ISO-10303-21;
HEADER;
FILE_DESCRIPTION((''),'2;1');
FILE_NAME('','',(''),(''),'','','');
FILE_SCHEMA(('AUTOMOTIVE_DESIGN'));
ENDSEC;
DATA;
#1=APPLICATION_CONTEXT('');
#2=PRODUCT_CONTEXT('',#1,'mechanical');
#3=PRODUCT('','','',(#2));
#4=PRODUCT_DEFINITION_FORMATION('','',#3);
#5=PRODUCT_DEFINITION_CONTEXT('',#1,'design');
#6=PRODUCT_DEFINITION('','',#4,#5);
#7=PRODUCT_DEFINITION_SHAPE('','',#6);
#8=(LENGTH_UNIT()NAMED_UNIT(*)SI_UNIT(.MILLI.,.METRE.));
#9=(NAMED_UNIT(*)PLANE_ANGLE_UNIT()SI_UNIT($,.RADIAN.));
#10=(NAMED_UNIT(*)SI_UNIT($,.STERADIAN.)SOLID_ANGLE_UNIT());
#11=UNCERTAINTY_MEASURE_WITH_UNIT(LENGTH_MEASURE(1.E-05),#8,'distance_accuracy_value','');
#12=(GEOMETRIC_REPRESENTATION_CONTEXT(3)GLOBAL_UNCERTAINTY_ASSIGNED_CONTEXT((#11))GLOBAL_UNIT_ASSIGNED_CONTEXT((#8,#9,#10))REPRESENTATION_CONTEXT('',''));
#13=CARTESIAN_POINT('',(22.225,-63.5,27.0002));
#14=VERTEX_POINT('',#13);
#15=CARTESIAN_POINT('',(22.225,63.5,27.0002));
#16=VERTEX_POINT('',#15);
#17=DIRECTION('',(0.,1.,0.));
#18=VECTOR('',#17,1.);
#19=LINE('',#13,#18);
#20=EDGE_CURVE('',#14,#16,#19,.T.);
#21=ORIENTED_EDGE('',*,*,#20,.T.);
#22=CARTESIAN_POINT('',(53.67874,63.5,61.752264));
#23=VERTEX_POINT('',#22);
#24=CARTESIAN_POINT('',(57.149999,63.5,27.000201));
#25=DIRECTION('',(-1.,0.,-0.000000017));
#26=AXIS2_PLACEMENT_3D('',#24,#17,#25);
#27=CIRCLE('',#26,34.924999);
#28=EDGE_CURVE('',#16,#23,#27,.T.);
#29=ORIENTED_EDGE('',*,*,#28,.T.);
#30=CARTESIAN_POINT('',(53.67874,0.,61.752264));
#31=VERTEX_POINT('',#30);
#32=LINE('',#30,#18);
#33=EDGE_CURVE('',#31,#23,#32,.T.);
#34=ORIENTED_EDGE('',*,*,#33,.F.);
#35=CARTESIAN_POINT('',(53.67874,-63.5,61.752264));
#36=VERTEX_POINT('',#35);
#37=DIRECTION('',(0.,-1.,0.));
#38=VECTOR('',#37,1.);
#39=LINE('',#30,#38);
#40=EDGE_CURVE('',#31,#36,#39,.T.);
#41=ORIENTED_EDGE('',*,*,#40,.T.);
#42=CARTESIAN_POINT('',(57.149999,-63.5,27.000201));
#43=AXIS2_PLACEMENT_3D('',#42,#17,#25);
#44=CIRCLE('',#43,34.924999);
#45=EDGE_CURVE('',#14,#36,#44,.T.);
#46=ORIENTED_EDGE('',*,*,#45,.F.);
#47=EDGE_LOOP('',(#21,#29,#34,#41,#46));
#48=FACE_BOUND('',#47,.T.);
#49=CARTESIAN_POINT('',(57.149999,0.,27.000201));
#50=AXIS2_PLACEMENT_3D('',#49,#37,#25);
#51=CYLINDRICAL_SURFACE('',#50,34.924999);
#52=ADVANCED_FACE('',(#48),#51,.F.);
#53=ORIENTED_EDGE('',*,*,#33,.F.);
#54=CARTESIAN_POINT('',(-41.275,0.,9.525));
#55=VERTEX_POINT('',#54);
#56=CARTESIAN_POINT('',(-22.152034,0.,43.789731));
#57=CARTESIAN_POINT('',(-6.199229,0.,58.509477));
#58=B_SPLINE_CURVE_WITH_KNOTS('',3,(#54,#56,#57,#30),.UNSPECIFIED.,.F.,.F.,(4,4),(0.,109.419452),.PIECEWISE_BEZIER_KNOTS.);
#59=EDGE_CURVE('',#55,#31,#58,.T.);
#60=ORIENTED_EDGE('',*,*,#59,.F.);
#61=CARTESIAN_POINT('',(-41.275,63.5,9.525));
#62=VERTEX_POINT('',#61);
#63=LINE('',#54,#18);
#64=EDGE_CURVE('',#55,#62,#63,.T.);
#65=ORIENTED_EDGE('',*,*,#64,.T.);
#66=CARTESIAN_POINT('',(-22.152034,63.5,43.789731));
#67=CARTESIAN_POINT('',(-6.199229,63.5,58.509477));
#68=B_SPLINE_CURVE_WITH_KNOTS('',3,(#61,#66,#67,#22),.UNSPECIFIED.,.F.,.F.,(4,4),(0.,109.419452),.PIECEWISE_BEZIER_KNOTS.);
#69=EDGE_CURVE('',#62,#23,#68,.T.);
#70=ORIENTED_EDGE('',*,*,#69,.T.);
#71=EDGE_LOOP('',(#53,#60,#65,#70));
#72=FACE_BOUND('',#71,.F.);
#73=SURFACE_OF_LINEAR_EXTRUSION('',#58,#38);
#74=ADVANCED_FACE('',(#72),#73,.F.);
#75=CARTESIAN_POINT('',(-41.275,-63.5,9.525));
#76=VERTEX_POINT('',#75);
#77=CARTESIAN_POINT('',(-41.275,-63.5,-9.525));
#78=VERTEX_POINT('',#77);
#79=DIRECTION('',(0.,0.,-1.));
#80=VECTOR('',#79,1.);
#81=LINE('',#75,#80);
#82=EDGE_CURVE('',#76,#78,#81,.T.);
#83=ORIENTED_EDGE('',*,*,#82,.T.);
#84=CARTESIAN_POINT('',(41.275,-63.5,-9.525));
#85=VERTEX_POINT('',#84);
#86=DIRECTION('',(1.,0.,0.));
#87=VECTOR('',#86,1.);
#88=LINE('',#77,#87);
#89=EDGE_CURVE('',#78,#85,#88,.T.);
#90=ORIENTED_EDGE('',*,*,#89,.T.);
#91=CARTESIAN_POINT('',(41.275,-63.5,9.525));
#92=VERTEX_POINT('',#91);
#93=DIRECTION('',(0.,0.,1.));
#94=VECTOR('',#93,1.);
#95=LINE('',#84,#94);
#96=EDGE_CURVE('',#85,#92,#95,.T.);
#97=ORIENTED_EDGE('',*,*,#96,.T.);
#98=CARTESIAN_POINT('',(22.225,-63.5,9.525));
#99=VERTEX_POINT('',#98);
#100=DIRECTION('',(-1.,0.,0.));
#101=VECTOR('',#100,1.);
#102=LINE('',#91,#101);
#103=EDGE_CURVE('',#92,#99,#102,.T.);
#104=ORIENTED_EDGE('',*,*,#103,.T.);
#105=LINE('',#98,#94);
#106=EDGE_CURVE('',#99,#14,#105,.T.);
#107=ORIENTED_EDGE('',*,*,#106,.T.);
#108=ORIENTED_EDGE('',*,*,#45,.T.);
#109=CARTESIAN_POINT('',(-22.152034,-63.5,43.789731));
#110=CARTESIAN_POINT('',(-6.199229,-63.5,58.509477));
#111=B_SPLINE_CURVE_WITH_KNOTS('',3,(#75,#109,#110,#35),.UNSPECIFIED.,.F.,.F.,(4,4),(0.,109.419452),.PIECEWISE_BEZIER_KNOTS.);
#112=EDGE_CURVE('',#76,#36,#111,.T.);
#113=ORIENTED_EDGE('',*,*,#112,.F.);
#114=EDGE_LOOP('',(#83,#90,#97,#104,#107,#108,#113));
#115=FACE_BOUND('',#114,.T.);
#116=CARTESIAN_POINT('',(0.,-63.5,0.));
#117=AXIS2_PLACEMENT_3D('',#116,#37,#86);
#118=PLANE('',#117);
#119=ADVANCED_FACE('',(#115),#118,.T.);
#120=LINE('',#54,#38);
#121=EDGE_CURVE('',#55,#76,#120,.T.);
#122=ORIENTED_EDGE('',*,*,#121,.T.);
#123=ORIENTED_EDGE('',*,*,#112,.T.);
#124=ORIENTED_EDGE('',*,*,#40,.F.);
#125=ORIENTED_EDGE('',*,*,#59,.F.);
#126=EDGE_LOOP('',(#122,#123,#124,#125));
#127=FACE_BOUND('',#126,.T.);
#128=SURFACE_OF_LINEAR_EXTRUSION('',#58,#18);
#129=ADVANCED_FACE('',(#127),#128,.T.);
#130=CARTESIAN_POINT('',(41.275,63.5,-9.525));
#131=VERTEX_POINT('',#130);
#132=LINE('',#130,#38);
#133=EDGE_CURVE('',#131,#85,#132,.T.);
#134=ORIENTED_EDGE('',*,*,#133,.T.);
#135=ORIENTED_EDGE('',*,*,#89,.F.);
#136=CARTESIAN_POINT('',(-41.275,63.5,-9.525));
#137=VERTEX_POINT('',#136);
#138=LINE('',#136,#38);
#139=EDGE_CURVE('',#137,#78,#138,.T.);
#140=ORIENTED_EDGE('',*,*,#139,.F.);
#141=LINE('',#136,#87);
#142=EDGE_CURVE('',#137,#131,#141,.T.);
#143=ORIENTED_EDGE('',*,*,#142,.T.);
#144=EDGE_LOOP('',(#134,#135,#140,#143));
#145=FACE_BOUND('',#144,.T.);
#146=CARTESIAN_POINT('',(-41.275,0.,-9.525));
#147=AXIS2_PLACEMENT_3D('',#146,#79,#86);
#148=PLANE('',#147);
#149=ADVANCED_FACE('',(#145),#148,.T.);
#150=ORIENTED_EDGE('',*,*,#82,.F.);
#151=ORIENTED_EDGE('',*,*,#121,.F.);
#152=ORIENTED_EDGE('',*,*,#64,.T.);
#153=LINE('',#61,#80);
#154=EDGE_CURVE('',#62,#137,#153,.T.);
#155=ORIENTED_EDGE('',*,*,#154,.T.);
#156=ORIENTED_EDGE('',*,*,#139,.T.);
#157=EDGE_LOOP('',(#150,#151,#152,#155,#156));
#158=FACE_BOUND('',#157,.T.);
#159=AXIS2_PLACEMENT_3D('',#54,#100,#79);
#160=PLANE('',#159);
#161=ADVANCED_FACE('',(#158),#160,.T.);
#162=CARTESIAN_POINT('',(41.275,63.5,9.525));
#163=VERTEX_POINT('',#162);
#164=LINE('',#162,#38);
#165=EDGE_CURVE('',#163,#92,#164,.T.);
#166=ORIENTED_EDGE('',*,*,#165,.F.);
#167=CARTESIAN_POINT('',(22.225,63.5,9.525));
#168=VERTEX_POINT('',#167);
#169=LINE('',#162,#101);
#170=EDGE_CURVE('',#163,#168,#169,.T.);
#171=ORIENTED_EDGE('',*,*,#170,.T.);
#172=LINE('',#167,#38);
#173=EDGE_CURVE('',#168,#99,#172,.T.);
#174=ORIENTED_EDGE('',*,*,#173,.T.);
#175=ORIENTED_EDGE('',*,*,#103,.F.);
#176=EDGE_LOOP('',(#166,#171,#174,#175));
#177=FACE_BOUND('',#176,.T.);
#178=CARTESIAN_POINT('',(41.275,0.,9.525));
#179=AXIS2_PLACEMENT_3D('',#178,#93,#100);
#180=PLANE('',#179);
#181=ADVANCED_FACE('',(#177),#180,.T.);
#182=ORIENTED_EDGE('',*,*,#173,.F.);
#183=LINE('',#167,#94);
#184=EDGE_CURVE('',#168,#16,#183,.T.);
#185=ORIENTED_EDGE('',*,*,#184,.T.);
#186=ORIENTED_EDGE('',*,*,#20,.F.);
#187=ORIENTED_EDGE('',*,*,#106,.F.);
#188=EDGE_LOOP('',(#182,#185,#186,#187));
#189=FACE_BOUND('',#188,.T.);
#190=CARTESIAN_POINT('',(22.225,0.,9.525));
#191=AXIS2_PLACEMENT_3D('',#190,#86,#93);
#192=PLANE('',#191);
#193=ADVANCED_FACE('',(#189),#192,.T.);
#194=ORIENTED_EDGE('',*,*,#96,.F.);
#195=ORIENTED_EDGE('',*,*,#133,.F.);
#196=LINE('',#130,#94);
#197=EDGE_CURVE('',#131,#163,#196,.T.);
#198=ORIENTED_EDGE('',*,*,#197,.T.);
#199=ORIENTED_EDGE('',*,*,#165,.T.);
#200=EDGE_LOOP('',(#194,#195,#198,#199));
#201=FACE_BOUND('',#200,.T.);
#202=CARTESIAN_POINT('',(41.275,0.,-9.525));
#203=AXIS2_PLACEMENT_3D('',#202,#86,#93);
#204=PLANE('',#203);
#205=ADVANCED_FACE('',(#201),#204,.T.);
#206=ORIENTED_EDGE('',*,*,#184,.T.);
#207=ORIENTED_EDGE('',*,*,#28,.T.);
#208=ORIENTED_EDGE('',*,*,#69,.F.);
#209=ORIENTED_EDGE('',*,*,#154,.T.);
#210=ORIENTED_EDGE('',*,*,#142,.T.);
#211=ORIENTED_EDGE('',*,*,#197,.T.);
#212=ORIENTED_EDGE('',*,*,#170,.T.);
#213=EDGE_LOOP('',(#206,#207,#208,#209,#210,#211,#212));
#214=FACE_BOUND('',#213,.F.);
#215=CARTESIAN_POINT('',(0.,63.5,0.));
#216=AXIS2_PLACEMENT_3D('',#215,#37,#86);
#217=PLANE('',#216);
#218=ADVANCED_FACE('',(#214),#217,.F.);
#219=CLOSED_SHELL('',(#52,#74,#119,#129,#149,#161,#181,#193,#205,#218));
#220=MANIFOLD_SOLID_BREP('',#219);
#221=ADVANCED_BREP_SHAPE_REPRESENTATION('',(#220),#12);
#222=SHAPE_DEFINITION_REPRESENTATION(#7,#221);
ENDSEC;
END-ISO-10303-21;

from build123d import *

# Parameters (mm, degrees)
F1_DEPTH = 63.5


with BuildPart() as f1:
    # F0 (on Front) → F1 (new body, symmetric)
    with BuildSketch(Plane.XZ):
        Polygon((22.225, 9.525), (-41.275, 9.525), (-41.275, -9.525), (41.275, -9.525), (41.275, 9.525), align=None)
        with BuildLine():
            add(Edge.make_bspline(
                [(-41.275, 9.525), (-22.152034, 43.789731), (-6.199229, 58.509477), (53.67874, 61.752264)],
                knots=[0, 0, 0, 0, 109.419452, 109.419452, 109.419452, 109.419452], degree=3))
            Line((-41.275, 9.525), (22.225, 9.525))
            Line((22.225, 9.525), (22.225, 27.0002))
            ThreePointArc((22.225, 27.0002), (31.256088, 50.436517), (53.67874, 61.752264))
        make_face()
    extrude(amount=F1_DEPTH, both=True)


solid = f1.part
